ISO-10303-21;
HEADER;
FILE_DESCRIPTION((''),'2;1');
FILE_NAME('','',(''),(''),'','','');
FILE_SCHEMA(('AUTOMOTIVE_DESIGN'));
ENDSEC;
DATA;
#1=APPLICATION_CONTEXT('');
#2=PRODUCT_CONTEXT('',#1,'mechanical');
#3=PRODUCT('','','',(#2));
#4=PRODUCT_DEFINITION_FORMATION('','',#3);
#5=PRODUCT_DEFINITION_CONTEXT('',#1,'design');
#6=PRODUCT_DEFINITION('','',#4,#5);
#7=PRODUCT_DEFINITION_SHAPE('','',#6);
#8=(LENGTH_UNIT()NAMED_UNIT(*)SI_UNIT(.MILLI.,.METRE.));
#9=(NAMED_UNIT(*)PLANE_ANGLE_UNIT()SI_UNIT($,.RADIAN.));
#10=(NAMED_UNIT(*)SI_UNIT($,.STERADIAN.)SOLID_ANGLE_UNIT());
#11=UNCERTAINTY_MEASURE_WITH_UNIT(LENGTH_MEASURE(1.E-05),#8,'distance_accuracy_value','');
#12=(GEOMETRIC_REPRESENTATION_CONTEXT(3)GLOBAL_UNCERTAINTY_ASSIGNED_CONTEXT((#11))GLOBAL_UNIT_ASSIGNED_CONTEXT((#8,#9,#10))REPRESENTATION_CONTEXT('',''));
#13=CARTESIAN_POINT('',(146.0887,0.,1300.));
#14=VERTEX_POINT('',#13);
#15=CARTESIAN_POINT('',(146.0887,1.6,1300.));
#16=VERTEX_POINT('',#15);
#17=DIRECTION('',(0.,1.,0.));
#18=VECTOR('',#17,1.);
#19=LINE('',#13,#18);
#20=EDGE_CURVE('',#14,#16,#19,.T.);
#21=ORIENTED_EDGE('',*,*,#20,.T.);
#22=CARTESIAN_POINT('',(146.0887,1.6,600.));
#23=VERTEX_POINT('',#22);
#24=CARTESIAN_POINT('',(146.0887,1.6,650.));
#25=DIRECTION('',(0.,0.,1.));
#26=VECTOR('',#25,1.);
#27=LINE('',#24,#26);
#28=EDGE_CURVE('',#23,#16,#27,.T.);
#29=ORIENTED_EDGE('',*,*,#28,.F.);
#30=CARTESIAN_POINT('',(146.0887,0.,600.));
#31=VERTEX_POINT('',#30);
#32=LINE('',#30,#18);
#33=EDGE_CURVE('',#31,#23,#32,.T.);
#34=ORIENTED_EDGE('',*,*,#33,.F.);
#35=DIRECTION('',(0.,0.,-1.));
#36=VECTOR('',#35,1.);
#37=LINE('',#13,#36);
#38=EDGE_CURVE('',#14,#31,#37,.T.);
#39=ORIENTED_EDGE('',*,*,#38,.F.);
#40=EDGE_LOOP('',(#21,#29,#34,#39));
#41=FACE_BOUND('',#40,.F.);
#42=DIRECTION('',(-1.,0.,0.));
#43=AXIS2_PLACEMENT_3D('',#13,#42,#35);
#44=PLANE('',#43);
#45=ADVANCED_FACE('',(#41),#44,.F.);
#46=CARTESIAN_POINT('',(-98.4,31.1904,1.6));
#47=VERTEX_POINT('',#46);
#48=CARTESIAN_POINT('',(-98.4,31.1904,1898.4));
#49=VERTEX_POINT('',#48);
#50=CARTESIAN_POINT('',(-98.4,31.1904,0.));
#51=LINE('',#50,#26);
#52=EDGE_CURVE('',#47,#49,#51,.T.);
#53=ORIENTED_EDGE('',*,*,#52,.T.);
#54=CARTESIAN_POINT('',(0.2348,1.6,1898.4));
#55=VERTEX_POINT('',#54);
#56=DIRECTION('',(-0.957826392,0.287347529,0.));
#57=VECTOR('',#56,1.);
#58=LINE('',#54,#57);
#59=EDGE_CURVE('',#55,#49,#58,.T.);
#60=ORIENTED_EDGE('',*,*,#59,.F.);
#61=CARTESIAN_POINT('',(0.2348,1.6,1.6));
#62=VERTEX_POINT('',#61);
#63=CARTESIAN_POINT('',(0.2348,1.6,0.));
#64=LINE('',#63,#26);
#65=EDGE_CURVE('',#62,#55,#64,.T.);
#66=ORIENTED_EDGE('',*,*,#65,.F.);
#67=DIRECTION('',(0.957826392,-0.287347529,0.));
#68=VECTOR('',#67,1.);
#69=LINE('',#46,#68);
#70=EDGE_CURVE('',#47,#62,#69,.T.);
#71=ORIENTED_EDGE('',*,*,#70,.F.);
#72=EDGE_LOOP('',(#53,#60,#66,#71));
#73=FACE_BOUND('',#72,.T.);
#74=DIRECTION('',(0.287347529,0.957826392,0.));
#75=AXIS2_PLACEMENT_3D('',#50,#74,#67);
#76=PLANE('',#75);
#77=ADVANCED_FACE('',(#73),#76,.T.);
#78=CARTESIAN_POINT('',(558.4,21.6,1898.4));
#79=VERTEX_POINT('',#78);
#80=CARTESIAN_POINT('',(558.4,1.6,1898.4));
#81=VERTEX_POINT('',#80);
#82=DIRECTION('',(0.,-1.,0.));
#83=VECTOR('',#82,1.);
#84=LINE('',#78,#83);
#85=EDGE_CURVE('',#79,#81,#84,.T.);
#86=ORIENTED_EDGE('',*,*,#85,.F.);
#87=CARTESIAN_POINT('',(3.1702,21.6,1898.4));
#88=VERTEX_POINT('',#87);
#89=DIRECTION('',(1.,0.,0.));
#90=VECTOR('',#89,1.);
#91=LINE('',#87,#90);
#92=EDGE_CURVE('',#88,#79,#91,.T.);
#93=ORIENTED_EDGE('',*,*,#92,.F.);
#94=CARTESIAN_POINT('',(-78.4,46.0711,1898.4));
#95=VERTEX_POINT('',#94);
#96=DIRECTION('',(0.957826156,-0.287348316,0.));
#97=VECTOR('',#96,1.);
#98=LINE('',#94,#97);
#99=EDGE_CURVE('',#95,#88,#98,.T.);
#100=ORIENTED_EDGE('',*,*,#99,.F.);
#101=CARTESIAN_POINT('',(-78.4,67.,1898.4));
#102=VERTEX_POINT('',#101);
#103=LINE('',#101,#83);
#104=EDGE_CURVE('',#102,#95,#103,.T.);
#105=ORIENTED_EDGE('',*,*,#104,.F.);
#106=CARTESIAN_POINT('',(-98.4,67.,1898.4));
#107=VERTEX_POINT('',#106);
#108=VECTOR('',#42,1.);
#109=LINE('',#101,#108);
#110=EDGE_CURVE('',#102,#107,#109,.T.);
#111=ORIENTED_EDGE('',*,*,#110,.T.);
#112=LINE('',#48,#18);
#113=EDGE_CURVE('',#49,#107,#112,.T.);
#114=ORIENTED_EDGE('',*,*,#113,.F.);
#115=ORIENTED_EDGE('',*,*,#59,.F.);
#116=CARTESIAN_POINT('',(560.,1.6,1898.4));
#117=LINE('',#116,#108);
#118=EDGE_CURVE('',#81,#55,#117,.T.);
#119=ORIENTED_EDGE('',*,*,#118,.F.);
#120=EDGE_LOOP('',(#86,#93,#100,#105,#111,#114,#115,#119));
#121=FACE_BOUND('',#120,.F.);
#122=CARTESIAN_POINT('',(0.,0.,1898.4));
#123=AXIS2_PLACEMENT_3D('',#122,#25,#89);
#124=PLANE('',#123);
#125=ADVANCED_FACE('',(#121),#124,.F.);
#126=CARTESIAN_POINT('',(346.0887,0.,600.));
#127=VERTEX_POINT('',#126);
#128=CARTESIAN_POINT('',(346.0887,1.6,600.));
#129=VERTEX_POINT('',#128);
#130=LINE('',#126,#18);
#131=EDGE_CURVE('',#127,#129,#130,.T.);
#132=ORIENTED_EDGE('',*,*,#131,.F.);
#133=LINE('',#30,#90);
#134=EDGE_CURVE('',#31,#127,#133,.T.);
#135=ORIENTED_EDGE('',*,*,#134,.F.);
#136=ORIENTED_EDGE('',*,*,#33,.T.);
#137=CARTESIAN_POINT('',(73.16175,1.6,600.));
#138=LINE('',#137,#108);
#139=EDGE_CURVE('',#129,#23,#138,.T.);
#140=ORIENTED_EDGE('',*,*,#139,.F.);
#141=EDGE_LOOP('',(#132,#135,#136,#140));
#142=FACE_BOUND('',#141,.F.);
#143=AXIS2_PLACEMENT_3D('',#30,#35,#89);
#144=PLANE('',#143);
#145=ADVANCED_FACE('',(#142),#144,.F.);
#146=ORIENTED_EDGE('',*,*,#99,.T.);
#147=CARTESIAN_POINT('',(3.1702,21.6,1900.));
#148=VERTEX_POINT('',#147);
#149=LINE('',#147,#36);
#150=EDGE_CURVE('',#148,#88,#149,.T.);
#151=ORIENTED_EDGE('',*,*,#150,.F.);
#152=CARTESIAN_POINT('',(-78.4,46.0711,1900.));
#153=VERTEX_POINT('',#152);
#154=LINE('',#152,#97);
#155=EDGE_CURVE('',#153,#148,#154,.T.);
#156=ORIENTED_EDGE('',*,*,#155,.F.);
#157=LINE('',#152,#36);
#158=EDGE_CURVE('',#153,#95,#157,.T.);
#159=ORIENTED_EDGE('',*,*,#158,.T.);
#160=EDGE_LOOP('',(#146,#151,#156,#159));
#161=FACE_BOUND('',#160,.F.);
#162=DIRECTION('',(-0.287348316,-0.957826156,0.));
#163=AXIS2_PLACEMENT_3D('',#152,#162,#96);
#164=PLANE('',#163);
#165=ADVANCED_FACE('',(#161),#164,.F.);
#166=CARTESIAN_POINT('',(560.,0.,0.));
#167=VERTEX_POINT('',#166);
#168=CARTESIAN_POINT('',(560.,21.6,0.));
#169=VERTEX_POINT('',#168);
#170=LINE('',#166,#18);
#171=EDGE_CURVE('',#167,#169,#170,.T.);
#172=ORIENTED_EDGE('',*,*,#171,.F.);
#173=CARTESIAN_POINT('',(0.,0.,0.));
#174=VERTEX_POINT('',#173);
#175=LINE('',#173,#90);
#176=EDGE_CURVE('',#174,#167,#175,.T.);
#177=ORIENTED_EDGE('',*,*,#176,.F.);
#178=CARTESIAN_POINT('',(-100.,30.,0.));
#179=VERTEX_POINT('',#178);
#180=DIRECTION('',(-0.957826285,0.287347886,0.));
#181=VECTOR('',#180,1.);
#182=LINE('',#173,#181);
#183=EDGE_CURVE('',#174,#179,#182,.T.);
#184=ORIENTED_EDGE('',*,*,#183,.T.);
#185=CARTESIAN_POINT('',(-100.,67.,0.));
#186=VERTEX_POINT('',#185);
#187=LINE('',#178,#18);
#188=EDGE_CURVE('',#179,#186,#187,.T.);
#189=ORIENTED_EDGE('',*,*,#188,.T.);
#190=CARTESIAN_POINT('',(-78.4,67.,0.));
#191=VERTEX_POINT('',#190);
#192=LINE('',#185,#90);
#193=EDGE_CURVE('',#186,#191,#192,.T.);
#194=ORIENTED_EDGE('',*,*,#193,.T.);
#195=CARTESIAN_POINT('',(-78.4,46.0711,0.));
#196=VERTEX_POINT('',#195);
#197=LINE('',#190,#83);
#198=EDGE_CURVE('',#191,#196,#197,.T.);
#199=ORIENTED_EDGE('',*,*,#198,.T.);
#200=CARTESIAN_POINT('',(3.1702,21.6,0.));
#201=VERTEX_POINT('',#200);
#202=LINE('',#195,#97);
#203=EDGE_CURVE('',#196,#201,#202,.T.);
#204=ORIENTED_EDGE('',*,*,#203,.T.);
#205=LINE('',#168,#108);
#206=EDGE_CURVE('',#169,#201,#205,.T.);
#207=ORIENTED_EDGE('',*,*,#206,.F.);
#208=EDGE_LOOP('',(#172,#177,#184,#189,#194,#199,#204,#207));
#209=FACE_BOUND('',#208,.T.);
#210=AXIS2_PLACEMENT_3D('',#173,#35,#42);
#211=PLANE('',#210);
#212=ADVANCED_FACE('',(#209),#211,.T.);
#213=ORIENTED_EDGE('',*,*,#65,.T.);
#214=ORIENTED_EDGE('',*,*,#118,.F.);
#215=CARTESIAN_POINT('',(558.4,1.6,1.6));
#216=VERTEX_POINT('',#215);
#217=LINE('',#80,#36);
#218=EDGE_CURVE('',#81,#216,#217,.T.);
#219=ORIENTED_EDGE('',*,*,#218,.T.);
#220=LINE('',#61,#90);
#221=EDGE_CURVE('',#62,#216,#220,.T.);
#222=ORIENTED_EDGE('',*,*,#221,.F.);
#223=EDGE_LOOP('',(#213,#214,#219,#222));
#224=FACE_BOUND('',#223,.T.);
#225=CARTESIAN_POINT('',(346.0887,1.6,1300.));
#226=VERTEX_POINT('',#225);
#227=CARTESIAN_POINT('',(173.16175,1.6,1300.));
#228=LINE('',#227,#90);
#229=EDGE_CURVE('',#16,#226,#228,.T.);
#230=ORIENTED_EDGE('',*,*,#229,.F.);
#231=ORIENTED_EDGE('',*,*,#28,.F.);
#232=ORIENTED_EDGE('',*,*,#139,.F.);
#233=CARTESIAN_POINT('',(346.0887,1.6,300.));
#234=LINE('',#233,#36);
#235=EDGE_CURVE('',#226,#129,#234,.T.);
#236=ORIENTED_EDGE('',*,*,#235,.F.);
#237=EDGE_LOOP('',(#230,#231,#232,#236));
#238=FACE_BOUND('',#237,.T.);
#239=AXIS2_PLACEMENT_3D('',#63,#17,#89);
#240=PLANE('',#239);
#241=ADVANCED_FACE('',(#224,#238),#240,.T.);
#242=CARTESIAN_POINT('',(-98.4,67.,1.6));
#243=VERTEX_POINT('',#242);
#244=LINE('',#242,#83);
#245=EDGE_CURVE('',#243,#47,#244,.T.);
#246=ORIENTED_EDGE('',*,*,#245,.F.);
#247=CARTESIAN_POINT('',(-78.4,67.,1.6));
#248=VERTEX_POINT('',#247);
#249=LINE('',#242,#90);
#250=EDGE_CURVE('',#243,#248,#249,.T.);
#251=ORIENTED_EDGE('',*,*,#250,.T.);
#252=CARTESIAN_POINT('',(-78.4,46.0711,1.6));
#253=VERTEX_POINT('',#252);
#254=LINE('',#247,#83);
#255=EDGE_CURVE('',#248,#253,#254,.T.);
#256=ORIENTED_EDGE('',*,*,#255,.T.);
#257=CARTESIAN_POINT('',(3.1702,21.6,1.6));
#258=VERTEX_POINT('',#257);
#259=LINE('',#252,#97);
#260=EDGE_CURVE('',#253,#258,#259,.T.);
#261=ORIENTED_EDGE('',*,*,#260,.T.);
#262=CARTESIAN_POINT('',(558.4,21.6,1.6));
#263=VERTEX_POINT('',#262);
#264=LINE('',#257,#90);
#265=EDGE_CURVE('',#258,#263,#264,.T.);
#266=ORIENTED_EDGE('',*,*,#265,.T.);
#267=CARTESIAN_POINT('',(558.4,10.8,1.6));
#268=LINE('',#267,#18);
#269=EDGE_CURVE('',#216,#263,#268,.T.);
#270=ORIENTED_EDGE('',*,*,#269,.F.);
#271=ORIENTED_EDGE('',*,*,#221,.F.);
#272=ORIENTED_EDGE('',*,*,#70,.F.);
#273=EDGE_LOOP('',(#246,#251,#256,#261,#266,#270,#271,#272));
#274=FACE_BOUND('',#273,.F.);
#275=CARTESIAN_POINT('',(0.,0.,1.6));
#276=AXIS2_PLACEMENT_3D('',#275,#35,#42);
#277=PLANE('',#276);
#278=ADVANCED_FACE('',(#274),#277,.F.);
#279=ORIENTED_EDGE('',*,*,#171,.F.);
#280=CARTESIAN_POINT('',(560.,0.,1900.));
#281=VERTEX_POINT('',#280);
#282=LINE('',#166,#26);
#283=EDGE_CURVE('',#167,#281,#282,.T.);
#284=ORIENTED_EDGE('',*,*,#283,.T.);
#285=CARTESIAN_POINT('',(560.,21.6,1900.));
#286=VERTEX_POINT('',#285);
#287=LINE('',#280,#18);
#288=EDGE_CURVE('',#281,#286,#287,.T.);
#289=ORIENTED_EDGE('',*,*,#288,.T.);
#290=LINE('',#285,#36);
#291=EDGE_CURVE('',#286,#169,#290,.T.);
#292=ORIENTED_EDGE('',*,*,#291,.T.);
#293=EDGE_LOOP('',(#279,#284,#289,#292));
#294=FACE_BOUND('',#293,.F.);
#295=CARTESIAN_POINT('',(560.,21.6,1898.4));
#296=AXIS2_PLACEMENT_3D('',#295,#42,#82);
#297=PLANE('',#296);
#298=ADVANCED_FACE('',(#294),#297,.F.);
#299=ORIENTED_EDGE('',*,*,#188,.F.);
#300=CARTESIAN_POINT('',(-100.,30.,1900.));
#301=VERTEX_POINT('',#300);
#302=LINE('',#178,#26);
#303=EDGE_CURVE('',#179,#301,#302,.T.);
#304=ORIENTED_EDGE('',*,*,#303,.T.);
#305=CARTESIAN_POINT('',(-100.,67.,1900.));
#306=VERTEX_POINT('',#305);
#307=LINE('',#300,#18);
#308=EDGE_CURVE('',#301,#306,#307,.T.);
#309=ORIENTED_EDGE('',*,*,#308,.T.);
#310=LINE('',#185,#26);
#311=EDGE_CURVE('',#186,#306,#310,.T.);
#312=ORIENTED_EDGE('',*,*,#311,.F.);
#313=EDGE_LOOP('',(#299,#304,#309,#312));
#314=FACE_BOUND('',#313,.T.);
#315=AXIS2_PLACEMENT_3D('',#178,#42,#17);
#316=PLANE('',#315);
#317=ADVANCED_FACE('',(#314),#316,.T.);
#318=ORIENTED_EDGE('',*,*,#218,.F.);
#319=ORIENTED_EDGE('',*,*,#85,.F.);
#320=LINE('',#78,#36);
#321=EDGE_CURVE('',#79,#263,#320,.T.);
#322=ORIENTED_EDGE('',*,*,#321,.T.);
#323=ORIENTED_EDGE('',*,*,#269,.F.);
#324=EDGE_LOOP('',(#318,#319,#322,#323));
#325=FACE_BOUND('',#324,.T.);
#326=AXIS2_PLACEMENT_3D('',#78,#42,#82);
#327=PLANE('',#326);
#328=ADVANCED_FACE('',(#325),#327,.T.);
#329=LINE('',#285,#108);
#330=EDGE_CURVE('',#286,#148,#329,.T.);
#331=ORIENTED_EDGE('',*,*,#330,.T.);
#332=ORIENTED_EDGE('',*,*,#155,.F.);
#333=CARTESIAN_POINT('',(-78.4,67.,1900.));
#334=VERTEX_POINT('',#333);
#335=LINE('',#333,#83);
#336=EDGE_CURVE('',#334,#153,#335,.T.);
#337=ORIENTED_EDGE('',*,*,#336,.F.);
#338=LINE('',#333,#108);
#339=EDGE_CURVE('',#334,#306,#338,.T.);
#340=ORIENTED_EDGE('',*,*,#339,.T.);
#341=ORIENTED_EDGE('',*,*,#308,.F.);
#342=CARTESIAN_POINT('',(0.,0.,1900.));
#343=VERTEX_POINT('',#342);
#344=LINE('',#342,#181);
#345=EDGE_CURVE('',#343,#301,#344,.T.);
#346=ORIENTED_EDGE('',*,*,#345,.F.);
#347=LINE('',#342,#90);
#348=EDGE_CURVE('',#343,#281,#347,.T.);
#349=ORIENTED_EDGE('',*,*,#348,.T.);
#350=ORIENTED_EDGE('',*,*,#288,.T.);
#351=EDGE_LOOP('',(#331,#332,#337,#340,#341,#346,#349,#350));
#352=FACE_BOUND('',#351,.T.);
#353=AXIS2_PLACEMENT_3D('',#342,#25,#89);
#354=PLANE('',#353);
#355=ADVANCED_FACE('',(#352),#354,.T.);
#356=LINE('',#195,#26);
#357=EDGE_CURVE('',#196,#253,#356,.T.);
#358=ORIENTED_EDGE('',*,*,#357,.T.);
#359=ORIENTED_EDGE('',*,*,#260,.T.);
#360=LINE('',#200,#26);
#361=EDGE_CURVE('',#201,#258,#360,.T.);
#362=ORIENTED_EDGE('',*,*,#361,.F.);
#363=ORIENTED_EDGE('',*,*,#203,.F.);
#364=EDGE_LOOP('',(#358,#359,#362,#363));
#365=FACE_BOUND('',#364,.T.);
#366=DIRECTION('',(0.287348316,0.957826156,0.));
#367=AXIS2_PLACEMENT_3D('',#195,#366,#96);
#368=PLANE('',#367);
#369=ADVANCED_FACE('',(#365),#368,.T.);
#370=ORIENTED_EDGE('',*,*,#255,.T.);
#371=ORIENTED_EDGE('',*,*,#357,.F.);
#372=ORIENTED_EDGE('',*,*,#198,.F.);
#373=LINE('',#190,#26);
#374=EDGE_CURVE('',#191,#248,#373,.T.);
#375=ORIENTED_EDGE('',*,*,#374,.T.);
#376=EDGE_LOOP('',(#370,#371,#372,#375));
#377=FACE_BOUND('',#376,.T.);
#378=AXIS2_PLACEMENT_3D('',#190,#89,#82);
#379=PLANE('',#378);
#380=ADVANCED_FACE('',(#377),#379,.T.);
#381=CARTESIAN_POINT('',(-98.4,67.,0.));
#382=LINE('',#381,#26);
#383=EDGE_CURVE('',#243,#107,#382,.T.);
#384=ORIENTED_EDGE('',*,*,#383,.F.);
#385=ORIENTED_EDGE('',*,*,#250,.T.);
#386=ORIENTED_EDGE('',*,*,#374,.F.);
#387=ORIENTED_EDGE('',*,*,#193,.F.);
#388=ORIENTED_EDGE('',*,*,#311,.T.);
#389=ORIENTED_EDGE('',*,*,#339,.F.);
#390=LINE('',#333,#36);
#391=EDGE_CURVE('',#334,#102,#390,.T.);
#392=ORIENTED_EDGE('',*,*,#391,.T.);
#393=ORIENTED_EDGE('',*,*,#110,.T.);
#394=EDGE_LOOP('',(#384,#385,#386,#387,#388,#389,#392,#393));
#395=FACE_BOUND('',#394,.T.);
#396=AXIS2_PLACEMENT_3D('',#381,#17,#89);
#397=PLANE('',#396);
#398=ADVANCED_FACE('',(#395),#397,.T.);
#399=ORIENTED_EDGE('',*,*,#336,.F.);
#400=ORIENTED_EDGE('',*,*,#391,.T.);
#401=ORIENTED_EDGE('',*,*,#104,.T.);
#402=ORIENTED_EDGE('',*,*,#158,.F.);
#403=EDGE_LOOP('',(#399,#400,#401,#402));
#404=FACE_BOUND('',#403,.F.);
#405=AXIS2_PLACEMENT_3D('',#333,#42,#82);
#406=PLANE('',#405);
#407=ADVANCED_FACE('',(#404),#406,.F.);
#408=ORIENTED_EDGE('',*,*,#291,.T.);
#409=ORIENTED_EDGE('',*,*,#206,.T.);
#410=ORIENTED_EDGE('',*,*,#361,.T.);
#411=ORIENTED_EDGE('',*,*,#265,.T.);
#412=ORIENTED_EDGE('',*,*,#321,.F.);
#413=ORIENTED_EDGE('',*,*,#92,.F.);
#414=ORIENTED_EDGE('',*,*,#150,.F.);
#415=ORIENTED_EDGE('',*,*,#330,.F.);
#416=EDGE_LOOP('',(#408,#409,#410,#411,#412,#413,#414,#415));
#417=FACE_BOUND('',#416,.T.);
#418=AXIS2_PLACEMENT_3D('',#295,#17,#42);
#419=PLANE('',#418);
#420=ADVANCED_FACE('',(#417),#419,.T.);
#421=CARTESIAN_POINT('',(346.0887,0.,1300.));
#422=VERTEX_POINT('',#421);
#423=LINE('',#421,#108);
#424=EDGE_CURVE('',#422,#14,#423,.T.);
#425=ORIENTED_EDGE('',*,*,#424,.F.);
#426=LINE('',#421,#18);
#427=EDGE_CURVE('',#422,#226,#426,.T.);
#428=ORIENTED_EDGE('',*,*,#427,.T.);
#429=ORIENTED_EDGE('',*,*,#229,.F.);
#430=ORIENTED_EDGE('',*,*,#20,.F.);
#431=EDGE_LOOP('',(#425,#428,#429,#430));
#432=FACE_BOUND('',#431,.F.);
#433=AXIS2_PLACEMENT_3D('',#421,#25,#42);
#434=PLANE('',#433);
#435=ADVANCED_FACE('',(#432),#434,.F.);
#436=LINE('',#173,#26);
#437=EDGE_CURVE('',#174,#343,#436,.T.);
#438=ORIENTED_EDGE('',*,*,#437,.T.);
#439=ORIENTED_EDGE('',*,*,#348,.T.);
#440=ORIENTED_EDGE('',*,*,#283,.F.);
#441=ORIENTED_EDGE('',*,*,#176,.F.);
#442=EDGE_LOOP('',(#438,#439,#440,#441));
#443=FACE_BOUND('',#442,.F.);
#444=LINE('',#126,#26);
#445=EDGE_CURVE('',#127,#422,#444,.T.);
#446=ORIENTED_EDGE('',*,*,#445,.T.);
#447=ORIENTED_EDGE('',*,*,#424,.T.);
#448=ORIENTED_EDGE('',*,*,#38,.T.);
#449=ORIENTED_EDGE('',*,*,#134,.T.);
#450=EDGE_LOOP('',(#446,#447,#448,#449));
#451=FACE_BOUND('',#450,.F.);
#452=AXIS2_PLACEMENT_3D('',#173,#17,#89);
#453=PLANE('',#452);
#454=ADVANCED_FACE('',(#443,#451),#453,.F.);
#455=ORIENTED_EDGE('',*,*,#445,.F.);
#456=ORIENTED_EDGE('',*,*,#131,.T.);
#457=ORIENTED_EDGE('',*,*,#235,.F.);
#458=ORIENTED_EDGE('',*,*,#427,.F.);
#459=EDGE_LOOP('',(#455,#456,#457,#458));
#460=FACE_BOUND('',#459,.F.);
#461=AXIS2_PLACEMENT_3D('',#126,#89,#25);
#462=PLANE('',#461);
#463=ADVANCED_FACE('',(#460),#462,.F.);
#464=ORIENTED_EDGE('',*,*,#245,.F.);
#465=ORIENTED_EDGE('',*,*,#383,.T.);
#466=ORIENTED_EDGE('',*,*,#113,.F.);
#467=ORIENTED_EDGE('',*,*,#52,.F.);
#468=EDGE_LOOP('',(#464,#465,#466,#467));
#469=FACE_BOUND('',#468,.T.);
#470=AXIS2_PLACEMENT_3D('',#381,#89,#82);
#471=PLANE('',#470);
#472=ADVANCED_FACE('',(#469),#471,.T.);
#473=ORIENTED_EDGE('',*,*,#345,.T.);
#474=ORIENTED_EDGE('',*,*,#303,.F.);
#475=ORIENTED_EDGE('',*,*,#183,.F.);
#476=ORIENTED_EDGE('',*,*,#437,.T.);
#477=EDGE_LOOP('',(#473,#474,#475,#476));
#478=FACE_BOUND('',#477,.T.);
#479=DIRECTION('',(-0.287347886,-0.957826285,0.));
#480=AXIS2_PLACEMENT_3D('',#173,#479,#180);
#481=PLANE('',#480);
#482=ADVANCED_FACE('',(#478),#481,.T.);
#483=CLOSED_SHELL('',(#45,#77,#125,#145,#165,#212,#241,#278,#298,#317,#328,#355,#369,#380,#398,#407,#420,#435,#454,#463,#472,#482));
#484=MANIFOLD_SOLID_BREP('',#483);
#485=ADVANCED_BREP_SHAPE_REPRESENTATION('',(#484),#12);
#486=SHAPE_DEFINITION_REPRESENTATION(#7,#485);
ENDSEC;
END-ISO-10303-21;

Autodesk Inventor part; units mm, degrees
ref_plane "YZ Plane" through (0, 0, 0) normal (1, 0, 0) x (0, 1, 0)
ref_plane "XZ Plane" through (0, 0, 0) normal (0, 1, 0) x (-1, 0, 0)
ref_plane "XY Plane" through (0, 0, 0) normal (0, 0, 1) x (1, 0, 0)
sketch "Sketch1" plane through (0, 0, 0) normal (0, 0, 1) x (1, 0, 0)
  line L0 (0, 0) -> (560, 0)
  line L1 (0, 0) -> (-100, 30)
  line L2 (0, 0) -> (104.4031, 0) construction
  line L3 (-100, 30) -> (-100, 67)
  line L4 (-98.4, 67) -> (-98.4, 31.1904)
  line L5 (-98.4, 31.1904) -> (0.2348, 1.6)
  line L6 (0.2348, 1.6) -> (560, 1.6)
  line L7 (-98.4, 67) -> (-100, 67)
  line L8 (560, 1.6) -> (560, 0)
  dimension "d0" = 560
  dimension "d2" = 100
  dimension "d3" = 37
  dimension "d9" = 30
  dimension "d10" = 1.6
extrude "Extrusion1" add sketch "Sketch1" along normal blind 1900
sketch "Sketch2" plane through (0, 0, 1900) normal (0, 0, 1) x (1, 0, 0)
  line L0 (-98.4, 31.1904) -> (-98.4, 67) projected
  line L1 (0.2348, 1.6) -> (-98.4, 31.1904) projected
  line L2 (560, 1.6) -> (0.2348, 1.6) projected
  line L3 (-78.4, 67) -> (-78.4, 46.0711)
  line L4 (-78.4, 46.0711) -> (3.1702, 21.6)
  line L5 (3.1702, 21.6) -> (560, 21.6)
  line L6 (-78.4, 67) -> (-98.4, 67)
  line L7 (560, 21.6) -> (560, 1.6)
  line L8 (560, 1.6) -> (558.4, 1.6)
  line L9 (558.4, 1.6) -> (558.4, 21.6)
  line L10 (558.4, 21.6) -> (560, 21.6)
  line L11 (560, 21.6) -> (560, 1.6)
  point P0 (0, 0)
  dimension "d11" = 20
  dimension "d16" = 1.6
  dimension "d17" = 20
extrude "Extrusion2" add sketch "Sketch2" against normal blind 1.6
sketch "Sketch3" plane through (0, 0, 0) normal (0, 0, -1) x (-1, 0, 0)
  line L0 (98.4, 67) -> (98.4, 31.1904) projected
  line L1 (98.4, 67) -> (78.4, 67) projected
  line L2 (78.4, 67) -> (78.4, 46.0711) projected
  line L3 (78.4, 46.0711) -> (-3.1702, 21.6) projected
  line L4 (-3.1702, 21.6) -> (-560, 21.6) projected
  line L5 (-560, 21.6) -> (-560, 1.6) projected
  line L6 (-0.2348, 1.6) -> (-560, 1.6) projected
  line L7 (98.4, 31.1904) -> (-0.2348, 1.6) projected
  point P0 (0, 0)
extrude "Extrusion3" add sketch "Sketch3" against normal blind 1.6
sketch "Sketch4" plane through (0, 0, 1898.4) normal (0, 0, -1) x (-1, 0, 0)
  line L0 (-560, 21.6) -> (-560, 1.6) projected
  line L1 (-560, 21.6) -> (-558.4, 21.6)
  line L2 (-558.4, 21.6) -> (-558.4, 1.6)
  line L3 (-558.4, 1.6) -> (-560, 1.6)
  line L4 (-560, 1.6) -> (-560, 21.6)
  point P0 (0, 0)
  dimension "d18" = 1.6
  dimension "d19" = 20
extrude "Extrusion4" add sketch "Sketch4" along normal up to surface (1898.4 mm away)
sketch "Sketch5" plane through (0, 0, 0) normal (0, -1, 0) x (1, 0, 0)
  line L0 (146.0887, 600) -> (346.0887, 600)
  line L1 (346.0887, 600) -> (346.0887, 1300)
  line L2 (346.0887, 1300) -> (146.0887, 1300)
  line L3 (146.0887, 1300) -> (146.0887, 600)
  line L4 (0, 0) -> (560, 0) projected
  dimension "d22" = 200
  dimension "d23" = 700
  dimension "d24" = 600
extrude "Extrusion5" cut sketch "Sketch5" against normal blind 10
properties part number "Cover Lower Front" material "Steel"
